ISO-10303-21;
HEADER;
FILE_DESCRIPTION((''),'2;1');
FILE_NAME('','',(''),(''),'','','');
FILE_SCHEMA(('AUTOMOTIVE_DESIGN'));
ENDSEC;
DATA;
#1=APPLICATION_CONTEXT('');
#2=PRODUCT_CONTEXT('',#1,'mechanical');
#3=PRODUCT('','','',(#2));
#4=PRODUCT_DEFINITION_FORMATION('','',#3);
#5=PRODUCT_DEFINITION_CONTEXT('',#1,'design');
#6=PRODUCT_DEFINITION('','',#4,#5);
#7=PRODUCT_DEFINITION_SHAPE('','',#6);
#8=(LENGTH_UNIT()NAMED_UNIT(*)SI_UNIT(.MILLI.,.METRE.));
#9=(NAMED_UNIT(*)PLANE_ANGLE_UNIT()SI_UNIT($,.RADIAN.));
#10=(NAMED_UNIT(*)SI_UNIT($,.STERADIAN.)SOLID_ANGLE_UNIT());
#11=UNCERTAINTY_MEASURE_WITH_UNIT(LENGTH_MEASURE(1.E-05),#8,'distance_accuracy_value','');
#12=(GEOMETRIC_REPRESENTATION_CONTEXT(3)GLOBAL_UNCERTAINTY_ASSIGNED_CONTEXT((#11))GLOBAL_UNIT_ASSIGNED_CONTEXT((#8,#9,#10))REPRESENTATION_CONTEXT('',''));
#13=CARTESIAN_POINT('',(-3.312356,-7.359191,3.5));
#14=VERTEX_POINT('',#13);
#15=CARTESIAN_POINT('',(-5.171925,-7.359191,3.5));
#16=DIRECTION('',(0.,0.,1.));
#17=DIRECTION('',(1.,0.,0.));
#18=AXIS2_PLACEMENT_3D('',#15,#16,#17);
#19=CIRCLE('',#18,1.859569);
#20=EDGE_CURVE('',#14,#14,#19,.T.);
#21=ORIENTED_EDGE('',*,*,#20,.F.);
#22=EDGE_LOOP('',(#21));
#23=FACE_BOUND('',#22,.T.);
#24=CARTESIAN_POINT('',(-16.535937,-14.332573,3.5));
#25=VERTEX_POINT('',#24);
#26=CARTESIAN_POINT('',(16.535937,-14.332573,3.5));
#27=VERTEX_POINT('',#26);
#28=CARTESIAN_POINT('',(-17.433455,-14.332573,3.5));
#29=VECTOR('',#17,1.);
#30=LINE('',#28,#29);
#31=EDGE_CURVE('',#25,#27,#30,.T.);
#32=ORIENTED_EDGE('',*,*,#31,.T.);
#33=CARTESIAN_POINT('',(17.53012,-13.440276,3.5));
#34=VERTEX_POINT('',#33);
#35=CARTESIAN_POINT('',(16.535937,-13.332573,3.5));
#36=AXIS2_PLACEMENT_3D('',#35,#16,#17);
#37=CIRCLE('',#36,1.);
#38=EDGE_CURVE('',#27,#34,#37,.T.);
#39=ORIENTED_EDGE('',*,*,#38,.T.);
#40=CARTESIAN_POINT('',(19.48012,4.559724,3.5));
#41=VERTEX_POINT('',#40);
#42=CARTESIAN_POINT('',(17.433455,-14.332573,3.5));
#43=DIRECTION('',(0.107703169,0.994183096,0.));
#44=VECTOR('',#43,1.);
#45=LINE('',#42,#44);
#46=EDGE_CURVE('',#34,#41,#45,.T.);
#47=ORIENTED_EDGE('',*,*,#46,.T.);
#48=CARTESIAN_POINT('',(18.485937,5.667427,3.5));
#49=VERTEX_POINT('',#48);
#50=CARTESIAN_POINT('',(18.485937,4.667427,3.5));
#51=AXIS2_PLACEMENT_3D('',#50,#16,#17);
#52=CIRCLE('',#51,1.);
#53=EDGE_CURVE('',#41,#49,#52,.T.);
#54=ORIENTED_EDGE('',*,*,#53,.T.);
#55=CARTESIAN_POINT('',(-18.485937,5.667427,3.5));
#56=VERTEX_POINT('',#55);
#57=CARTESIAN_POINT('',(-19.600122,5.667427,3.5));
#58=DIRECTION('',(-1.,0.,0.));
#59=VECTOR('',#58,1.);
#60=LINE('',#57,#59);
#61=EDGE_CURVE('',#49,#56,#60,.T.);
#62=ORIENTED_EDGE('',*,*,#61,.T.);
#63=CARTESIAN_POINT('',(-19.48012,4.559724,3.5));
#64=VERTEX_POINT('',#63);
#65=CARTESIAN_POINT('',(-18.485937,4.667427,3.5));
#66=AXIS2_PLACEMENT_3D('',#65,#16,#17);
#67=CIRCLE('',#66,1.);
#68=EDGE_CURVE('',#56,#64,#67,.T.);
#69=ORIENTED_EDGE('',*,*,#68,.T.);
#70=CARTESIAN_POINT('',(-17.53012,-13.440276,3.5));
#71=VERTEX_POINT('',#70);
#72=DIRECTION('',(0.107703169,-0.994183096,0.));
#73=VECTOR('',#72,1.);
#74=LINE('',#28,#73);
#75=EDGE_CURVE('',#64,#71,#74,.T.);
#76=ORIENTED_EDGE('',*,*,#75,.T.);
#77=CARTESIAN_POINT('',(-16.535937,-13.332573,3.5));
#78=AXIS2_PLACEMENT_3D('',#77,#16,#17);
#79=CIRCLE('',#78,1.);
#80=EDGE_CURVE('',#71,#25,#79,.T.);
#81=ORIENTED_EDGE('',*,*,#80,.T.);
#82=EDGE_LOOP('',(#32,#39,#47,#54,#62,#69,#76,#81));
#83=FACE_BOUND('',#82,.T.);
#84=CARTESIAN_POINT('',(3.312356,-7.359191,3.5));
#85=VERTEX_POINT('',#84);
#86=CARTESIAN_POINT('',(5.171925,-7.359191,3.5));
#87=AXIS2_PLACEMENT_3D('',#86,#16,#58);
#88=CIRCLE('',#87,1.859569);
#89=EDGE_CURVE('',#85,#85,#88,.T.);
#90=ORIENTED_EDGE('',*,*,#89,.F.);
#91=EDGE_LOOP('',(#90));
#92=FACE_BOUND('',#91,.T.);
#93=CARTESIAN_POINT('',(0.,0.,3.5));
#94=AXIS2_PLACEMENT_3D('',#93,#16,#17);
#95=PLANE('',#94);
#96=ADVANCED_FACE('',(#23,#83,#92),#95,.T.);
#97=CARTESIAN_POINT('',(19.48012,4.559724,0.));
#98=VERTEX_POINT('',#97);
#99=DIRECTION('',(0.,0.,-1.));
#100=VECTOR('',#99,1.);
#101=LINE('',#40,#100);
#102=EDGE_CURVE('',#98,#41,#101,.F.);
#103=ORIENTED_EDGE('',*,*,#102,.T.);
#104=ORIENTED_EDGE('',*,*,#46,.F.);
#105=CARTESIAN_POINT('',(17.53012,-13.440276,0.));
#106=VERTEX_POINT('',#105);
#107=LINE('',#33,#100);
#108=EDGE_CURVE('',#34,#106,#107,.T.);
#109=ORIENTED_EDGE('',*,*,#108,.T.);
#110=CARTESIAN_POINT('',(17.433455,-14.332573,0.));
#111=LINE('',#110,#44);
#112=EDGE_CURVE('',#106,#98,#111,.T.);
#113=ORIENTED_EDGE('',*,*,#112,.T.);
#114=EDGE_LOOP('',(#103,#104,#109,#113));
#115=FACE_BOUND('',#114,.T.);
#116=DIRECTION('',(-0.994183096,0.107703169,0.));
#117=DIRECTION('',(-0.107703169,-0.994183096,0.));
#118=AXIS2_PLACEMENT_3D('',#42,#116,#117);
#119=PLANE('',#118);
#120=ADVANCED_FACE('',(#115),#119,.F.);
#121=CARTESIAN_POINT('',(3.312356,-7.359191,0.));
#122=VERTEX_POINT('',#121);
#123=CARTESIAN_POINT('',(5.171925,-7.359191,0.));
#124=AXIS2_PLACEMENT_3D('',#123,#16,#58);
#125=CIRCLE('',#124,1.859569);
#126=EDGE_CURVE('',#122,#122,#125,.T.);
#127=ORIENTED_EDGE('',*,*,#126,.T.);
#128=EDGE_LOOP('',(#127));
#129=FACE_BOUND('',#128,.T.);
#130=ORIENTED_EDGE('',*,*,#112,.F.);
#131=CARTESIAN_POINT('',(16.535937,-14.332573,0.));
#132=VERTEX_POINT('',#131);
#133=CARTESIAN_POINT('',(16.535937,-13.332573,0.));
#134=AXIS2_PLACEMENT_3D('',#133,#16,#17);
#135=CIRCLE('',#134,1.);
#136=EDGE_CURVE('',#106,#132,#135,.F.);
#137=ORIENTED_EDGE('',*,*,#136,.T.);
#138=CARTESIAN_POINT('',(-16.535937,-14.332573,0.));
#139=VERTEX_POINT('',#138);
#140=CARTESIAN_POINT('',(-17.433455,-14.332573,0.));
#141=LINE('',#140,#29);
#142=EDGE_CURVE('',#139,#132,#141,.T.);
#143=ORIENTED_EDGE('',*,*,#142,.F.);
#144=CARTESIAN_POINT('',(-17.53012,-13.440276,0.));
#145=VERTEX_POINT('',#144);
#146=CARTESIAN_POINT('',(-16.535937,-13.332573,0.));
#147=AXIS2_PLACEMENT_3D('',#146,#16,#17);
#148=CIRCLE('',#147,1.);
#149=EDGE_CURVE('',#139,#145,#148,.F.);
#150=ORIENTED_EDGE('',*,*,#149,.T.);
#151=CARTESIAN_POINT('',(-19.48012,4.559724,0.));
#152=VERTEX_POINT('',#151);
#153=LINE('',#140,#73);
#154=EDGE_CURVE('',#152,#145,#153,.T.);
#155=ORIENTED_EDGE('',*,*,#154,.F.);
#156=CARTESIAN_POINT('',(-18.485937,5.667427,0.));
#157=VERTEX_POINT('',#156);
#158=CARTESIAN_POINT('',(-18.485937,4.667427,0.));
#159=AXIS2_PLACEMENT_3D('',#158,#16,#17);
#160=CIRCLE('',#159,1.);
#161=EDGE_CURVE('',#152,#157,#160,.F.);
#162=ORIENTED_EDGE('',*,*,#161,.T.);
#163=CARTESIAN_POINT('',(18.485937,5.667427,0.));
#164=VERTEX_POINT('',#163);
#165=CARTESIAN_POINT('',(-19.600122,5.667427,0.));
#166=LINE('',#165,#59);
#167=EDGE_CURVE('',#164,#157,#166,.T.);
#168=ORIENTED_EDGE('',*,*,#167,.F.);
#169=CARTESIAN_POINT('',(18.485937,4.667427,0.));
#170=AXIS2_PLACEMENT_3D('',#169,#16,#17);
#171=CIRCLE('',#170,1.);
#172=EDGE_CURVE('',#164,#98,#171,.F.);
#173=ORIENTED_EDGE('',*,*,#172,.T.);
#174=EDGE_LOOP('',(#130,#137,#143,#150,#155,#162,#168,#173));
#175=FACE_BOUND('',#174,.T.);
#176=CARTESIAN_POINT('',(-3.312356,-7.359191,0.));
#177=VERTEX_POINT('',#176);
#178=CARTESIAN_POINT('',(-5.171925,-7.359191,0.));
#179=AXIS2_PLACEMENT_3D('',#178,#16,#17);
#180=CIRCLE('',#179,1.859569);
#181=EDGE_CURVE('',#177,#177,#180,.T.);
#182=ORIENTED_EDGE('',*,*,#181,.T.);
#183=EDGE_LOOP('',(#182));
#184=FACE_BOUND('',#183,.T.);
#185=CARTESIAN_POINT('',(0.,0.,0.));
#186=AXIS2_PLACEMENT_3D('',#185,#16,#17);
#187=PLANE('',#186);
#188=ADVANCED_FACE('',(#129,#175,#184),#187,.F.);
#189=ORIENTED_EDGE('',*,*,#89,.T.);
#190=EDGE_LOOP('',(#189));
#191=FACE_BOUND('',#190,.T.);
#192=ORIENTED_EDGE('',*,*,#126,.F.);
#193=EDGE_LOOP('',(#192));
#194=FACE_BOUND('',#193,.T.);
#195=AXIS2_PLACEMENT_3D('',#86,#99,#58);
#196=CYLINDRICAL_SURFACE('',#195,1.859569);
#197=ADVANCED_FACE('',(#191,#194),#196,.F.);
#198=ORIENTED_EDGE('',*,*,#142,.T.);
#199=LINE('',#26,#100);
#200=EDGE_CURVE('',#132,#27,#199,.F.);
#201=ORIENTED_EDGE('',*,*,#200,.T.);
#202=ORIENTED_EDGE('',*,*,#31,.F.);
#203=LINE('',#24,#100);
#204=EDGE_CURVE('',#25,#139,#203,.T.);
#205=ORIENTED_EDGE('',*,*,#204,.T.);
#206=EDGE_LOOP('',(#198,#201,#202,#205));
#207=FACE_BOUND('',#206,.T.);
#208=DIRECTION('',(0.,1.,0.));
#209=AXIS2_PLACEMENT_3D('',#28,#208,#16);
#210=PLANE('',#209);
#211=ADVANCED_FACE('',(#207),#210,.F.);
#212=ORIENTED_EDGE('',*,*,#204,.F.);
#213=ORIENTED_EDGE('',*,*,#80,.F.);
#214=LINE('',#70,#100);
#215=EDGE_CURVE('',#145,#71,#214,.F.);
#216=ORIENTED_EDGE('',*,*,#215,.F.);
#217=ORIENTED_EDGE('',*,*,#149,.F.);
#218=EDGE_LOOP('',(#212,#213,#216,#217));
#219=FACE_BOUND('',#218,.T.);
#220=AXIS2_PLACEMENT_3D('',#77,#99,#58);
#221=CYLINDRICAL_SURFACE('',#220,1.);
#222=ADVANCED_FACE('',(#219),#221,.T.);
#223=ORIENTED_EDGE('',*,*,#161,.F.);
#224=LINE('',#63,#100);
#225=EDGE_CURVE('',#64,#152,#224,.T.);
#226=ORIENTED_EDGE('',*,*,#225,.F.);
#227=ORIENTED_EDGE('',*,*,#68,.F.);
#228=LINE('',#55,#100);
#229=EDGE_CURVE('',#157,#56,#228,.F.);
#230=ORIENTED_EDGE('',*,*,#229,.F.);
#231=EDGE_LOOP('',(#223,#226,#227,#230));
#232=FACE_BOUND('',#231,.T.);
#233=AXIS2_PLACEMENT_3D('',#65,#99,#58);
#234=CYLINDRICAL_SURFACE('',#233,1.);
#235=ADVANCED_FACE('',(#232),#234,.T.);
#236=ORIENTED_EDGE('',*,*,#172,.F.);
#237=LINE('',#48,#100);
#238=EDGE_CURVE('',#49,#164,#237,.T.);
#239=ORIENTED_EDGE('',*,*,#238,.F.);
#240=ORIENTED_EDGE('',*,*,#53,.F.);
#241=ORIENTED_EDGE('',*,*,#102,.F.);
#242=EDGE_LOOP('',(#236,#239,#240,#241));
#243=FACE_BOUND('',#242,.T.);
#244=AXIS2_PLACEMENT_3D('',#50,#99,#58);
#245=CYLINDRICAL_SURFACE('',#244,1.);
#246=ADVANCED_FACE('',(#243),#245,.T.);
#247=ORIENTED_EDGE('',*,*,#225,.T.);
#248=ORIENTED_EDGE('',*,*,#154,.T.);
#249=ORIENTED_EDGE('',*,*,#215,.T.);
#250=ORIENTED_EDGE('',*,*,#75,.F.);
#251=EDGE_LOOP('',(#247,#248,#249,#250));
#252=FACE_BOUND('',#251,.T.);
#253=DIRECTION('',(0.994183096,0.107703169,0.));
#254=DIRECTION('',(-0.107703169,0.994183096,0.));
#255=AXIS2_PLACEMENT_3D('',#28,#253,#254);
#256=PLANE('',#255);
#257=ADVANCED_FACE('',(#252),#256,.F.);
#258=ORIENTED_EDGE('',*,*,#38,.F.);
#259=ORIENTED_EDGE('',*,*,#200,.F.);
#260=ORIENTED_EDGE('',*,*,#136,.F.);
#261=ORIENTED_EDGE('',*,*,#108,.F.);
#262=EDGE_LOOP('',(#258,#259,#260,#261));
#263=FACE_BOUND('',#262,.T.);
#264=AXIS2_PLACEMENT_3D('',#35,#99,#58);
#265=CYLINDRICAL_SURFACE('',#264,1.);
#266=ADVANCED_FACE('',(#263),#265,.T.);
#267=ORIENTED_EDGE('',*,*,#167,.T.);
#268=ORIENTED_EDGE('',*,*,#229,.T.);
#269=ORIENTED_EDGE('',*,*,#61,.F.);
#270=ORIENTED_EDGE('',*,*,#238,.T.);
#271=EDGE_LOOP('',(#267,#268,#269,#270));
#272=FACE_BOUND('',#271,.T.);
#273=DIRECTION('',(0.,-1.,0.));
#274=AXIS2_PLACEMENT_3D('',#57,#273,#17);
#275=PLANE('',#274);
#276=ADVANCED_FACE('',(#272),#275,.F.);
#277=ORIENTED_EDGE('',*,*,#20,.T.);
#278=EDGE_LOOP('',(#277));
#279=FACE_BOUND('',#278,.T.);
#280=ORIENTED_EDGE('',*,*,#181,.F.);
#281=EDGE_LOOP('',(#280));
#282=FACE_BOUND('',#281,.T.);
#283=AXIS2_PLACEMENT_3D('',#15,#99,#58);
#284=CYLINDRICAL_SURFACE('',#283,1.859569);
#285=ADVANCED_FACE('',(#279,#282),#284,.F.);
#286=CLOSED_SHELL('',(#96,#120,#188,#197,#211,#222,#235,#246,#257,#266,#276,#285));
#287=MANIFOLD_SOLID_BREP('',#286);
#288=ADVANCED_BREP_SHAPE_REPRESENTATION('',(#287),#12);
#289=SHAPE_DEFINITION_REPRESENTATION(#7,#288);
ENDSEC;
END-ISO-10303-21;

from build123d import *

# Parameters (mm, degrees)
SKETCH_1_R      = 1.85956852
EXTRUDE_1_DEPTH = 3.5
FILLET_1_R      = 1


with BuildPart() as part:
    # 草图1 → 凸台-拉伸1 (new body)
    with BuildSketch(Plane.XY):
        Polygon((-17.433454878, -14.332572831), (-19.600121545, 5.667427169), (19.600121545, 5.667427169), (17.433454878, -14.332572831), align=None)
        with Locations((-5.171924947, -7.35919088)):
            Circle(SKETCH_1_R, mode=Mode.SUBTRACT)
        with Locations(Location((5.171924947, -7.35919088, 0), (0, 0, 180))):
            Circle(SKETCH_1_R, mode=Mode.SUBTRACT)
    extrude(amount=EXTRUDE_1_DEPTH)

    # 圆角1
    fillet_1_edges = [part.edges().sort_by_distance(p)[0] for p in [
        (-17.433454878, -14.332572831, 1.75),
        (-19.600121545, 5.667427169, 1.75),
        (19.600121545, 5.667427169, 1.75),
        (17.433454878, -14.332572831, 1.75),
    ]]
    fillet(fillet_1_edges, radius=FILLET_1_R)


solid = part.part
